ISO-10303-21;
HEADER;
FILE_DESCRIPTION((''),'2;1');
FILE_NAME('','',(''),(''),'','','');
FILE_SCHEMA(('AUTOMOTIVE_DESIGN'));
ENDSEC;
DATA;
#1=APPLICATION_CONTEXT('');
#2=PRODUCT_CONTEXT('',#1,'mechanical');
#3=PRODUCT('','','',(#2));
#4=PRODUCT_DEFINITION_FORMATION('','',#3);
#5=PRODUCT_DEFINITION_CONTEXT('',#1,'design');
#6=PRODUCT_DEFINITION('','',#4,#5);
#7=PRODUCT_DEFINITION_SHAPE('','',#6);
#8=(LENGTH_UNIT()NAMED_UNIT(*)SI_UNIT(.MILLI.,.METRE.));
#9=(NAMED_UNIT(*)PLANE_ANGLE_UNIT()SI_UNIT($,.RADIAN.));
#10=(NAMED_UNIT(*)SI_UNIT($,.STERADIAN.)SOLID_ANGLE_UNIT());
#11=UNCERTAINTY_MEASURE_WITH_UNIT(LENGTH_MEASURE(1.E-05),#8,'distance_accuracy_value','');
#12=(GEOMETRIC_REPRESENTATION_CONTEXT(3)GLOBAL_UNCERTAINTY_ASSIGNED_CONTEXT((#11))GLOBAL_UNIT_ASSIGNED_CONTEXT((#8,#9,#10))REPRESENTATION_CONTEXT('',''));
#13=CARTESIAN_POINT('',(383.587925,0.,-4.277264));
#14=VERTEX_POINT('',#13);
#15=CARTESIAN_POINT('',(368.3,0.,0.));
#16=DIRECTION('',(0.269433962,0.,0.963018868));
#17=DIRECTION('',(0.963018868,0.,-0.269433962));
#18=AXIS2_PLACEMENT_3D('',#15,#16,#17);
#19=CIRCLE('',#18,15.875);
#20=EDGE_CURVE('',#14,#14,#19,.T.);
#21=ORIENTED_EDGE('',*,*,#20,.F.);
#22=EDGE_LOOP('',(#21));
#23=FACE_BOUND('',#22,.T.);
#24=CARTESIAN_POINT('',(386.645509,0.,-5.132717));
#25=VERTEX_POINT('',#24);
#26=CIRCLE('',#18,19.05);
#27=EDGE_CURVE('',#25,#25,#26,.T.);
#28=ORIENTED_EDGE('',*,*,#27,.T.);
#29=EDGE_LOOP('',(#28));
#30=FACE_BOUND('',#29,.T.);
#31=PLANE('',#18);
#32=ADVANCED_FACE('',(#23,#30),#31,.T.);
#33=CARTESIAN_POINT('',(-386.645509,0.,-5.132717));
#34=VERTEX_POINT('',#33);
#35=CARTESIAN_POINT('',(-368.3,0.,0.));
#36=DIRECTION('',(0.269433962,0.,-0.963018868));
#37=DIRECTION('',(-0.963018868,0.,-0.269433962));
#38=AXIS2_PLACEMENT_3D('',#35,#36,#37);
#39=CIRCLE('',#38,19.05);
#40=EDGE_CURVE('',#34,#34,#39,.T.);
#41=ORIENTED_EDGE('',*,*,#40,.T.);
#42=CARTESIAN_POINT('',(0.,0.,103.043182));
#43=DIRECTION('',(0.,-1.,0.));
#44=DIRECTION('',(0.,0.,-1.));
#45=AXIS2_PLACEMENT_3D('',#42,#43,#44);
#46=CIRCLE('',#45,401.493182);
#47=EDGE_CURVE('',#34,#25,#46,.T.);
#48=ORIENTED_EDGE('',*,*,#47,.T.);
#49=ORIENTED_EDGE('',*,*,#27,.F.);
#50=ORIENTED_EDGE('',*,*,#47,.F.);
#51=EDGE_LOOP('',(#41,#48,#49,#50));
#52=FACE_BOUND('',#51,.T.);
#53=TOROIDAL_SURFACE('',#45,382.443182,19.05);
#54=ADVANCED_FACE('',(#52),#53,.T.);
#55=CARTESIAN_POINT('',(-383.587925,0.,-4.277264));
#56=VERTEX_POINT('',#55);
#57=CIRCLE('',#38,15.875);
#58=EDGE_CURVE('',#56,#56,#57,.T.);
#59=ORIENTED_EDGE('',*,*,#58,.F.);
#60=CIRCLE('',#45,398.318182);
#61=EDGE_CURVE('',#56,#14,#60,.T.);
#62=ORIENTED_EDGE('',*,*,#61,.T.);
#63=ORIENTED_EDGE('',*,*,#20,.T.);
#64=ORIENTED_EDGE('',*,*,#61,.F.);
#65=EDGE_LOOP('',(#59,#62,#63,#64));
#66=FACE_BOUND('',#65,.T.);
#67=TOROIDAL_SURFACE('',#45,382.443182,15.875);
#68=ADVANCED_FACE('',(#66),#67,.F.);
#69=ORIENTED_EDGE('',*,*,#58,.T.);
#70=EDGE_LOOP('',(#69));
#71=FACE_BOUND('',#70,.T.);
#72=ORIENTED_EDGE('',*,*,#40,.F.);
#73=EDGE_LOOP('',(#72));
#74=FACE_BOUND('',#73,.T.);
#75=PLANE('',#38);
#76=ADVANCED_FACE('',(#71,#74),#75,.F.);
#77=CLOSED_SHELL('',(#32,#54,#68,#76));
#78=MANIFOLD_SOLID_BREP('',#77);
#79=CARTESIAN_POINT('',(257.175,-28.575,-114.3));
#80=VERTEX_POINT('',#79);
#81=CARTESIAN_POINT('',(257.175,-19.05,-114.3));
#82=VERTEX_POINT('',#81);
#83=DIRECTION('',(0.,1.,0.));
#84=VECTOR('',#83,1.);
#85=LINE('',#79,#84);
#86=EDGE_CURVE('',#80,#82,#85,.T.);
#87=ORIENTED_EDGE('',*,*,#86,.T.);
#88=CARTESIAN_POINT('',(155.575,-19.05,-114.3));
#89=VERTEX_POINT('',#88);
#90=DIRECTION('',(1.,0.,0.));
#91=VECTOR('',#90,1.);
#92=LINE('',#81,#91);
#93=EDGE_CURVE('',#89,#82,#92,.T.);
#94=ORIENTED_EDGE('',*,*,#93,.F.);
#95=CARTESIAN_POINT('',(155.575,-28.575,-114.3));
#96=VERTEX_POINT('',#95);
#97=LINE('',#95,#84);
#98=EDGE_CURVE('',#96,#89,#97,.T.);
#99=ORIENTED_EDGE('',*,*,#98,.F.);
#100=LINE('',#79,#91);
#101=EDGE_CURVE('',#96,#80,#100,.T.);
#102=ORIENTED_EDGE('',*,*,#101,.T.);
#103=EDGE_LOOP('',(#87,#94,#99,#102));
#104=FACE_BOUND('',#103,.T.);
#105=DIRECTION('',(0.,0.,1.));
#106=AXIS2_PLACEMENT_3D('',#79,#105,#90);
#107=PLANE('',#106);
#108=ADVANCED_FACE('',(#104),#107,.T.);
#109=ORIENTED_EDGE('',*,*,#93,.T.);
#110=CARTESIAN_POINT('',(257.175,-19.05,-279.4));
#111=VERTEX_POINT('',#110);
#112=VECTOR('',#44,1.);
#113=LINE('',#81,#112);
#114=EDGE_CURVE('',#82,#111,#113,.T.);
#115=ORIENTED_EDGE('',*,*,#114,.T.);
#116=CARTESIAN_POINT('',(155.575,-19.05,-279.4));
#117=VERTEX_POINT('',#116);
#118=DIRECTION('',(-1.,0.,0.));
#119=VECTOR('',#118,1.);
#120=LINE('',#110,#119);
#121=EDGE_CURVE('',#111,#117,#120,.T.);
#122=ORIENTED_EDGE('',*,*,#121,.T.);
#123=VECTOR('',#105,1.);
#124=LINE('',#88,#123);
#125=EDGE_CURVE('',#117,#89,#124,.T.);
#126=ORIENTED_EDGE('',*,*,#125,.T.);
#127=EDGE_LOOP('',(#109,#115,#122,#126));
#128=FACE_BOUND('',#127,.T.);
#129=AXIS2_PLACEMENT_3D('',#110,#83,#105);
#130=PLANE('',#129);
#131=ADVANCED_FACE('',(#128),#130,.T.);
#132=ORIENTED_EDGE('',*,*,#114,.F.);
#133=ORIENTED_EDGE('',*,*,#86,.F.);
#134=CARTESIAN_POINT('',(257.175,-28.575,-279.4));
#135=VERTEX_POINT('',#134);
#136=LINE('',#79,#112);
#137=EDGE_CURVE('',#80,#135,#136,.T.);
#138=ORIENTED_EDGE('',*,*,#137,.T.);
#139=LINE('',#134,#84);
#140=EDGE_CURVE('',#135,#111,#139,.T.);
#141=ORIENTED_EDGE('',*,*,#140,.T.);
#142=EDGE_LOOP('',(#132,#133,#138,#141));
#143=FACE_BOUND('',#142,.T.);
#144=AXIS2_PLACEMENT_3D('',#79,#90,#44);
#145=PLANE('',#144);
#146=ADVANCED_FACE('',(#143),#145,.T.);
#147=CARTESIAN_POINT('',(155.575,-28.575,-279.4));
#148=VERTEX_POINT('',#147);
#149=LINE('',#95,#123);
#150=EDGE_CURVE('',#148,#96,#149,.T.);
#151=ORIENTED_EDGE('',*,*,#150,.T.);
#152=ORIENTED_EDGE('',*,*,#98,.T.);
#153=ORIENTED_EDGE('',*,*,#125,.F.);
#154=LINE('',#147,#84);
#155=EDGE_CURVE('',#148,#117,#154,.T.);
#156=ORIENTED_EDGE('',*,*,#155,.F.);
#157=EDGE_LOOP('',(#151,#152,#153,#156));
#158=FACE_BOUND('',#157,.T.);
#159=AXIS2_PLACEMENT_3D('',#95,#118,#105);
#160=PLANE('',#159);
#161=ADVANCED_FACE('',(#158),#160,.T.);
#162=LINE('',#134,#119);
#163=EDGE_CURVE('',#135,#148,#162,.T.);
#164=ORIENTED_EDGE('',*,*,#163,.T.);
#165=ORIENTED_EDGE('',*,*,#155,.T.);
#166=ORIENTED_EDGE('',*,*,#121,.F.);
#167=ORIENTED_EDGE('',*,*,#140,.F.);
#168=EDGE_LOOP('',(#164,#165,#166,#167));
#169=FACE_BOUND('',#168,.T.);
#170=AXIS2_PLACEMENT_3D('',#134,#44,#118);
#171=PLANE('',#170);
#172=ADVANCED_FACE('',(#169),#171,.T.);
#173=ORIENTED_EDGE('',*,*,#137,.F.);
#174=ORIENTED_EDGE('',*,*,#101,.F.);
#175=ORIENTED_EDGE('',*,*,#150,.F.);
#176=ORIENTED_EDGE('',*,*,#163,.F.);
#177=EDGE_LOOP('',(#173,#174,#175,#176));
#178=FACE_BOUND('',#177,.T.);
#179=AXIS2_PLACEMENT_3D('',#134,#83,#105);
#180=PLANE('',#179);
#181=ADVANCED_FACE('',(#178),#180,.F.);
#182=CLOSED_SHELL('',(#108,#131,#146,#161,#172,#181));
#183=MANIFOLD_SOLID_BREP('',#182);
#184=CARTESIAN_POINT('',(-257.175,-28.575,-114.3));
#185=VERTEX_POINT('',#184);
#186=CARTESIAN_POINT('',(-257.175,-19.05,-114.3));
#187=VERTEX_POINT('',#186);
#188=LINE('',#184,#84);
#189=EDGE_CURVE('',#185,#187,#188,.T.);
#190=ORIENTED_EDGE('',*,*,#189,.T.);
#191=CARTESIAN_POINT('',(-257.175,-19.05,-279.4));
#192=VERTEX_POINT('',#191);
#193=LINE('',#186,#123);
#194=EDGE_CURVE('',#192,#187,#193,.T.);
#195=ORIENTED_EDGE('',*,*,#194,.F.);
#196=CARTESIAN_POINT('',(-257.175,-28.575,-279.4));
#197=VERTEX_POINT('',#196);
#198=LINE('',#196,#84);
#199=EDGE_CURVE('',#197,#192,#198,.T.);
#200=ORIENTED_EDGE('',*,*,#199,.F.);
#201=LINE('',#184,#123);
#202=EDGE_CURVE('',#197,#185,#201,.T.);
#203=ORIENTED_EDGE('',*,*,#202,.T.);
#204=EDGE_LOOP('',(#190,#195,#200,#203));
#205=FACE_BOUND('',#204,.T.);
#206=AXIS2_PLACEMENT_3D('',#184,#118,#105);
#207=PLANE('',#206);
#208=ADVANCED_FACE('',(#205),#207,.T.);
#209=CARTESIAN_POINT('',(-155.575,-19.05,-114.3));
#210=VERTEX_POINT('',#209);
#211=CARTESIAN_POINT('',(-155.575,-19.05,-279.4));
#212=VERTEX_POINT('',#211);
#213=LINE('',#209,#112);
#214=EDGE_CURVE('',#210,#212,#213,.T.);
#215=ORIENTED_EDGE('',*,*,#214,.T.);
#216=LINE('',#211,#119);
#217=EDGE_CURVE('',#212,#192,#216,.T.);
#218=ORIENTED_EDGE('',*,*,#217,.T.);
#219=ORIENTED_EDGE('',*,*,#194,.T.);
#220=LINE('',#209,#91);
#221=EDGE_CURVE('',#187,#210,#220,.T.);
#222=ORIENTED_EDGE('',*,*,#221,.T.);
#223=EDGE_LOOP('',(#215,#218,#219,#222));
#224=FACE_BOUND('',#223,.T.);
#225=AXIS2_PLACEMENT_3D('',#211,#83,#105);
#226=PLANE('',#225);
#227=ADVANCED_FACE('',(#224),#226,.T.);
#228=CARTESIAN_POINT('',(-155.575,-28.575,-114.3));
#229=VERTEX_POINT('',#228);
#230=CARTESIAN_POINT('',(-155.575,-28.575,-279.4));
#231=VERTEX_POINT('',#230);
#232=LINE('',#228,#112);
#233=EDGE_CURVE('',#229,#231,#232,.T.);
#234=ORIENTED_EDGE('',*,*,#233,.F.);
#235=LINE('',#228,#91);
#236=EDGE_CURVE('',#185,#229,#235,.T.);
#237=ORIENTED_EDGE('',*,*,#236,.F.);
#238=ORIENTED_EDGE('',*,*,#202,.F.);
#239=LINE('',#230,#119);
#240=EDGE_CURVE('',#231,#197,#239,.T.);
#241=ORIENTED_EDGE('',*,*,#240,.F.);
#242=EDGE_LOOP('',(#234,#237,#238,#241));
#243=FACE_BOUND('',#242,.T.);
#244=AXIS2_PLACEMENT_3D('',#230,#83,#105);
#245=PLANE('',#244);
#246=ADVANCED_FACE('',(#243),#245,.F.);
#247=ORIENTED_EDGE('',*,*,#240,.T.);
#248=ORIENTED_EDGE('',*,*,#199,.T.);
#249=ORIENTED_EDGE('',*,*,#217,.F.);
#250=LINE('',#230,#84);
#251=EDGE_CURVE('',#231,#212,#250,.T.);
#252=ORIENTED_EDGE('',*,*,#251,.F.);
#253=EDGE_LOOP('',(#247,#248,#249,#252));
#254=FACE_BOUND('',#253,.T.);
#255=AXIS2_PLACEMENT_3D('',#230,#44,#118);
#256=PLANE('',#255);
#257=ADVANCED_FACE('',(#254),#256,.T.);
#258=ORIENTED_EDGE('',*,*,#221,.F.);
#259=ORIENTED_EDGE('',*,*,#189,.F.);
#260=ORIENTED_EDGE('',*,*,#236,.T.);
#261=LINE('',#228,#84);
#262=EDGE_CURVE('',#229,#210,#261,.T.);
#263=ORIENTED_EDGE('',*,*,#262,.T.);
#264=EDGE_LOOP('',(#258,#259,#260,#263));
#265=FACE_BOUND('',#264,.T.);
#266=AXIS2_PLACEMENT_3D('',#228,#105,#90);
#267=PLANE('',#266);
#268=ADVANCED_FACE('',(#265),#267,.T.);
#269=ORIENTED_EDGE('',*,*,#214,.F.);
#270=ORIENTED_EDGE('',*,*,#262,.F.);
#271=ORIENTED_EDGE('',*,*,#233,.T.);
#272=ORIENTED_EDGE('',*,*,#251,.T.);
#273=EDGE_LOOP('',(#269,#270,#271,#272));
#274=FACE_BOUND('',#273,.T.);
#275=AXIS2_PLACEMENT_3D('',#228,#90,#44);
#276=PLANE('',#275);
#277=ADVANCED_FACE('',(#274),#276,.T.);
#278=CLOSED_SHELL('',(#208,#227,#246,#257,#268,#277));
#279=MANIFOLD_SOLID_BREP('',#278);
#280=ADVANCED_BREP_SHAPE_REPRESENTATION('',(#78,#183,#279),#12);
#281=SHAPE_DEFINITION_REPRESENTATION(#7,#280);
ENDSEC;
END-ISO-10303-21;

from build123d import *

# Parameters (mm, degrees)
SKETCH3_R        = 19.05
SKETCH3_R_2      = 15.875
SKETCH4_W        = 101.6
SKETCH4_H        = 165.1
EXTRUDE1_DEPTH   = 9.525
EXTRUDE1_2_DEPTH = 9.525


with BuildPart() as part:
    # Sweep1: sweep along a path in Sketch1
    with BuildLine(Plane(origin=(0, 0, 0), x_dir=(1, 0, 0), z_dir=(0, 1, 0))) as sweep1_path:
        ThreePointArc((-368.3, 0), (0, 279.4), (368.3, 0))
    # Sketch3 → Sweep1 (sweep)
    with BuildSketch(Plane(origin=(368.3, 0, 0), x_dir=(0.9630188679245283, 0, -0.26943396226415106), z_dir=(0.26943396226415106, 0, 0.9630188679245284))):
        Circle(SKETCH3_R)
        Circle(SKETCH3_R_2, mode=Mode.SUBTRACT)
    sweep(path=sweep1_path.line)


with BuildPart() as body_2:
    # Sketch4 → Extrude1 (new body)
    with BuildSketch(Plane(origin=(0, -19.05, 0), x_dir=(-1, 0, 0), z_dir=(0, 1, 0))):
        with Locations((-206.375, -196.85)):
            Rectangle(SKETCH4_W, SKETCH4_H)
    extrude(amount=-EXTRUDE1_DEPTH)


with BuildPart() as body_3:
    # Sketch4 → Extrude1 2 (new body)
    with BuildSketch(Plane(origin=(0, -19.05, 0), x_dir=(-1, 0, 0), z_dir=(0, 1, 0))):
        with Locations((206.375, -196.85)):
            Rectangle(SKETCH4_W, SKETCH4_H)
    extrude(amount=-EXTRUDE1_2_DEPTH)


solid = Compound([part.part, body_2.part, body_3.part])
